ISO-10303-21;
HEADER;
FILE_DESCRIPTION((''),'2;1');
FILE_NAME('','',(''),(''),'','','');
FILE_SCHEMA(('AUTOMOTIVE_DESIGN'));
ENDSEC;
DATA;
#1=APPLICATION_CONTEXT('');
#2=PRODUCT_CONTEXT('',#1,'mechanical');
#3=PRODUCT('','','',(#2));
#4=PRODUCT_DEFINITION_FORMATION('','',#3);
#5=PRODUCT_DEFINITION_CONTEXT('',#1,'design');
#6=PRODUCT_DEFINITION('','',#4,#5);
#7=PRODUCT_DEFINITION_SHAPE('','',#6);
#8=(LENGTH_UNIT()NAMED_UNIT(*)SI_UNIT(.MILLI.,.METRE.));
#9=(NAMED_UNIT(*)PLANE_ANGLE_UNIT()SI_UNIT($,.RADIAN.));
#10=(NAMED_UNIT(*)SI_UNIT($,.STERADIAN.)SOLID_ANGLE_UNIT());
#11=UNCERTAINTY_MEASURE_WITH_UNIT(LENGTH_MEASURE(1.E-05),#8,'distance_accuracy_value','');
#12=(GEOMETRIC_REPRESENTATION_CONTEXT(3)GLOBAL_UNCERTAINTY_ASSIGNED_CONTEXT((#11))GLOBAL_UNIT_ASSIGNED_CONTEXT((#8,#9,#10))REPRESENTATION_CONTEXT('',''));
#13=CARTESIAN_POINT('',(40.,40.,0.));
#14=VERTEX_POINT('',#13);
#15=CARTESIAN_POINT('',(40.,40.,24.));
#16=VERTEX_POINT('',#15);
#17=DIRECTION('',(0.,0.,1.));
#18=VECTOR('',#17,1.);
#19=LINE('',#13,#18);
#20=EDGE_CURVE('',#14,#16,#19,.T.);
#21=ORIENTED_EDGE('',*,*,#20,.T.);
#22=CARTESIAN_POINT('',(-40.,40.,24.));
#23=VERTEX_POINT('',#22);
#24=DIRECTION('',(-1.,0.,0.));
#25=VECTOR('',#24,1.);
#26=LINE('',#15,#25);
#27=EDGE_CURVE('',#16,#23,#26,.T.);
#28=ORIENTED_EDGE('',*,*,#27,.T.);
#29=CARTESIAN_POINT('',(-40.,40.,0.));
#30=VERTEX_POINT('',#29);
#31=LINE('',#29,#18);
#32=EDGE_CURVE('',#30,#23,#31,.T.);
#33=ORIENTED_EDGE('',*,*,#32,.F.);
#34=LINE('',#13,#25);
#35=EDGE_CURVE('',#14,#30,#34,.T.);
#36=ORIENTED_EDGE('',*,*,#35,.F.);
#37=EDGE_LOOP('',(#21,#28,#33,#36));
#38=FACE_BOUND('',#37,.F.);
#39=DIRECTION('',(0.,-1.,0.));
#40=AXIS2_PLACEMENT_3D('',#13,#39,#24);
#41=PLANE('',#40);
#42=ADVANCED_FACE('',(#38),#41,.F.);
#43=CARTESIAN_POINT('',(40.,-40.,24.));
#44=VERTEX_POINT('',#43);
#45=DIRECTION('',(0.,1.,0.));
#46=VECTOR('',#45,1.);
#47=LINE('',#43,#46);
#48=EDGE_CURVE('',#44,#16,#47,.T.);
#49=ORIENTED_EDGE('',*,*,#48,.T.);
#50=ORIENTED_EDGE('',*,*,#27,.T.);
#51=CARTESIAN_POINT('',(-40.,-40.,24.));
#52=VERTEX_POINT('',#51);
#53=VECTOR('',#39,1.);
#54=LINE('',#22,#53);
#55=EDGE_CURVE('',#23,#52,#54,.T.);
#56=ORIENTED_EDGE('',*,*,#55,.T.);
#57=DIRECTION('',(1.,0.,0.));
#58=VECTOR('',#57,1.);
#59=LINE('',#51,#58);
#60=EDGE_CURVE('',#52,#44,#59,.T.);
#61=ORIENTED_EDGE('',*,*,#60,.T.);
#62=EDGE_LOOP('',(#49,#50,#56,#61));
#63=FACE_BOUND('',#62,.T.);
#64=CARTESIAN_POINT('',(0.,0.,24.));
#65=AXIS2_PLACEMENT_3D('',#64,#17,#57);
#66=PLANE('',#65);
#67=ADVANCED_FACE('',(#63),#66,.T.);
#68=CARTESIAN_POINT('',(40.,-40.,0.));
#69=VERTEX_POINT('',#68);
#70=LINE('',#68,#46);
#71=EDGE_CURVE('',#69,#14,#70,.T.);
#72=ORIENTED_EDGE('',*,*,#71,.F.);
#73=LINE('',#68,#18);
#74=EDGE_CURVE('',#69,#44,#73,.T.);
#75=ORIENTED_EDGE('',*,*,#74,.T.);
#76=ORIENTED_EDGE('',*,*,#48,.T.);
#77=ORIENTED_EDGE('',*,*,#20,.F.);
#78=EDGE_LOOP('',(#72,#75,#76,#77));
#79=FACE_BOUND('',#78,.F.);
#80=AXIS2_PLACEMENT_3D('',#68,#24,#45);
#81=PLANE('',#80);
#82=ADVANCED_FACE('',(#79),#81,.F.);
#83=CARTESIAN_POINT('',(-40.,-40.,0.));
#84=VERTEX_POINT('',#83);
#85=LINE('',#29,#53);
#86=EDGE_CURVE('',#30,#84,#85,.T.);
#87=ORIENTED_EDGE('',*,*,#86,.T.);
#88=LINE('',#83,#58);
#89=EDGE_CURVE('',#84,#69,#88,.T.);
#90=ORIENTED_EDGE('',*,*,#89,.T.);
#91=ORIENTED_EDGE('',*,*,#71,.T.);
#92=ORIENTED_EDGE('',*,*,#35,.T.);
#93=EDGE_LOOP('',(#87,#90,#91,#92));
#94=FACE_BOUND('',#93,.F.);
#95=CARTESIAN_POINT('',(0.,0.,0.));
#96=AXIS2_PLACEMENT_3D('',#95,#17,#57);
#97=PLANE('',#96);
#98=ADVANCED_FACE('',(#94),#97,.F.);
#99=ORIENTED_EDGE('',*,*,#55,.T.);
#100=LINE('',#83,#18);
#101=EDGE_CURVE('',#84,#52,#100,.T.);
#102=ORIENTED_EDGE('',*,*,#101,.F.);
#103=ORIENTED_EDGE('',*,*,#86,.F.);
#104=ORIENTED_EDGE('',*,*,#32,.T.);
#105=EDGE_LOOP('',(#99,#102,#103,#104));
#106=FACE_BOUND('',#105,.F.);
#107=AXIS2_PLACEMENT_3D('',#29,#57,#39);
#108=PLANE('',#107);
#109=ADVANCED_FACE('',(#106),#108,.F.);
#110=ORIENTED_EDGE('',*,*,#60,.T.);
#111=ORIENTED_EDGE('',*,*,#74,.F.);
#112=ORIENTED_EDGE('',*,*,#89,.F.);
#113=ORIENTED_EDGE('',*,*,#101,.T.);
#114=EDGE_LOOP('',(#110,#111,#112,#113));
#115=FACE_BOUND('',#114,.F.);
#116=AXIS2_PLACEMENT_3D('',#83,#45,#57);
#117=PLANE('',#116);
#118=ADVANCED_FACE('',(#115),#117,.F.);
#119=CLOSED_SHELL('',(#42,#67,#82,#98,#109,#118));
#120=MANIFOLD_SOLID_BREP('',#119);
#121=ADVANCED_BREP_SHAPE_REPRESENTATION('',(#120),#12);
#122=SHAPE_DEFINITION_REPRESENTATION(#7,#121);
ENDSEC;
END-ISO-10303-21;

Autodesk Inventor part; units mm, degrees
ref_plane "YZ Plane" through (0, 0, 0) normal (1, 0, 0) x (0, 1, 0)
ref_plane "XZ Plane" through (0, 0, 0) normal (0, 1, 0) x (-1, 0, 0)
ref_plane "XY Plane" through (0, 0, 0) normal (0, 0, 1) x (1, 0, 0)
sketch "Sketch1" plane through (0, 0, 0) normal (0, 0, 1) x (1, 0, 0)
  line L0 (-40, -40) -> (40, -40)
  line L1 (40, -40) -> (40, 40)
  line L2 (40, 40) -> (-40, 40)
  line L3 (-40, 40) -> (-40, -40)
  line L4 (-40, -40) -> (40, 40) construction
  line L5 (40, -40) -> (-40, 40) construction
  point P0 (0, 0)
  dimension "d0" = 80
  dimension "d1" = 80
extrude "Extrusion1" add sketch "Sketch1" along normal blind 24
properties part number "Fan"
